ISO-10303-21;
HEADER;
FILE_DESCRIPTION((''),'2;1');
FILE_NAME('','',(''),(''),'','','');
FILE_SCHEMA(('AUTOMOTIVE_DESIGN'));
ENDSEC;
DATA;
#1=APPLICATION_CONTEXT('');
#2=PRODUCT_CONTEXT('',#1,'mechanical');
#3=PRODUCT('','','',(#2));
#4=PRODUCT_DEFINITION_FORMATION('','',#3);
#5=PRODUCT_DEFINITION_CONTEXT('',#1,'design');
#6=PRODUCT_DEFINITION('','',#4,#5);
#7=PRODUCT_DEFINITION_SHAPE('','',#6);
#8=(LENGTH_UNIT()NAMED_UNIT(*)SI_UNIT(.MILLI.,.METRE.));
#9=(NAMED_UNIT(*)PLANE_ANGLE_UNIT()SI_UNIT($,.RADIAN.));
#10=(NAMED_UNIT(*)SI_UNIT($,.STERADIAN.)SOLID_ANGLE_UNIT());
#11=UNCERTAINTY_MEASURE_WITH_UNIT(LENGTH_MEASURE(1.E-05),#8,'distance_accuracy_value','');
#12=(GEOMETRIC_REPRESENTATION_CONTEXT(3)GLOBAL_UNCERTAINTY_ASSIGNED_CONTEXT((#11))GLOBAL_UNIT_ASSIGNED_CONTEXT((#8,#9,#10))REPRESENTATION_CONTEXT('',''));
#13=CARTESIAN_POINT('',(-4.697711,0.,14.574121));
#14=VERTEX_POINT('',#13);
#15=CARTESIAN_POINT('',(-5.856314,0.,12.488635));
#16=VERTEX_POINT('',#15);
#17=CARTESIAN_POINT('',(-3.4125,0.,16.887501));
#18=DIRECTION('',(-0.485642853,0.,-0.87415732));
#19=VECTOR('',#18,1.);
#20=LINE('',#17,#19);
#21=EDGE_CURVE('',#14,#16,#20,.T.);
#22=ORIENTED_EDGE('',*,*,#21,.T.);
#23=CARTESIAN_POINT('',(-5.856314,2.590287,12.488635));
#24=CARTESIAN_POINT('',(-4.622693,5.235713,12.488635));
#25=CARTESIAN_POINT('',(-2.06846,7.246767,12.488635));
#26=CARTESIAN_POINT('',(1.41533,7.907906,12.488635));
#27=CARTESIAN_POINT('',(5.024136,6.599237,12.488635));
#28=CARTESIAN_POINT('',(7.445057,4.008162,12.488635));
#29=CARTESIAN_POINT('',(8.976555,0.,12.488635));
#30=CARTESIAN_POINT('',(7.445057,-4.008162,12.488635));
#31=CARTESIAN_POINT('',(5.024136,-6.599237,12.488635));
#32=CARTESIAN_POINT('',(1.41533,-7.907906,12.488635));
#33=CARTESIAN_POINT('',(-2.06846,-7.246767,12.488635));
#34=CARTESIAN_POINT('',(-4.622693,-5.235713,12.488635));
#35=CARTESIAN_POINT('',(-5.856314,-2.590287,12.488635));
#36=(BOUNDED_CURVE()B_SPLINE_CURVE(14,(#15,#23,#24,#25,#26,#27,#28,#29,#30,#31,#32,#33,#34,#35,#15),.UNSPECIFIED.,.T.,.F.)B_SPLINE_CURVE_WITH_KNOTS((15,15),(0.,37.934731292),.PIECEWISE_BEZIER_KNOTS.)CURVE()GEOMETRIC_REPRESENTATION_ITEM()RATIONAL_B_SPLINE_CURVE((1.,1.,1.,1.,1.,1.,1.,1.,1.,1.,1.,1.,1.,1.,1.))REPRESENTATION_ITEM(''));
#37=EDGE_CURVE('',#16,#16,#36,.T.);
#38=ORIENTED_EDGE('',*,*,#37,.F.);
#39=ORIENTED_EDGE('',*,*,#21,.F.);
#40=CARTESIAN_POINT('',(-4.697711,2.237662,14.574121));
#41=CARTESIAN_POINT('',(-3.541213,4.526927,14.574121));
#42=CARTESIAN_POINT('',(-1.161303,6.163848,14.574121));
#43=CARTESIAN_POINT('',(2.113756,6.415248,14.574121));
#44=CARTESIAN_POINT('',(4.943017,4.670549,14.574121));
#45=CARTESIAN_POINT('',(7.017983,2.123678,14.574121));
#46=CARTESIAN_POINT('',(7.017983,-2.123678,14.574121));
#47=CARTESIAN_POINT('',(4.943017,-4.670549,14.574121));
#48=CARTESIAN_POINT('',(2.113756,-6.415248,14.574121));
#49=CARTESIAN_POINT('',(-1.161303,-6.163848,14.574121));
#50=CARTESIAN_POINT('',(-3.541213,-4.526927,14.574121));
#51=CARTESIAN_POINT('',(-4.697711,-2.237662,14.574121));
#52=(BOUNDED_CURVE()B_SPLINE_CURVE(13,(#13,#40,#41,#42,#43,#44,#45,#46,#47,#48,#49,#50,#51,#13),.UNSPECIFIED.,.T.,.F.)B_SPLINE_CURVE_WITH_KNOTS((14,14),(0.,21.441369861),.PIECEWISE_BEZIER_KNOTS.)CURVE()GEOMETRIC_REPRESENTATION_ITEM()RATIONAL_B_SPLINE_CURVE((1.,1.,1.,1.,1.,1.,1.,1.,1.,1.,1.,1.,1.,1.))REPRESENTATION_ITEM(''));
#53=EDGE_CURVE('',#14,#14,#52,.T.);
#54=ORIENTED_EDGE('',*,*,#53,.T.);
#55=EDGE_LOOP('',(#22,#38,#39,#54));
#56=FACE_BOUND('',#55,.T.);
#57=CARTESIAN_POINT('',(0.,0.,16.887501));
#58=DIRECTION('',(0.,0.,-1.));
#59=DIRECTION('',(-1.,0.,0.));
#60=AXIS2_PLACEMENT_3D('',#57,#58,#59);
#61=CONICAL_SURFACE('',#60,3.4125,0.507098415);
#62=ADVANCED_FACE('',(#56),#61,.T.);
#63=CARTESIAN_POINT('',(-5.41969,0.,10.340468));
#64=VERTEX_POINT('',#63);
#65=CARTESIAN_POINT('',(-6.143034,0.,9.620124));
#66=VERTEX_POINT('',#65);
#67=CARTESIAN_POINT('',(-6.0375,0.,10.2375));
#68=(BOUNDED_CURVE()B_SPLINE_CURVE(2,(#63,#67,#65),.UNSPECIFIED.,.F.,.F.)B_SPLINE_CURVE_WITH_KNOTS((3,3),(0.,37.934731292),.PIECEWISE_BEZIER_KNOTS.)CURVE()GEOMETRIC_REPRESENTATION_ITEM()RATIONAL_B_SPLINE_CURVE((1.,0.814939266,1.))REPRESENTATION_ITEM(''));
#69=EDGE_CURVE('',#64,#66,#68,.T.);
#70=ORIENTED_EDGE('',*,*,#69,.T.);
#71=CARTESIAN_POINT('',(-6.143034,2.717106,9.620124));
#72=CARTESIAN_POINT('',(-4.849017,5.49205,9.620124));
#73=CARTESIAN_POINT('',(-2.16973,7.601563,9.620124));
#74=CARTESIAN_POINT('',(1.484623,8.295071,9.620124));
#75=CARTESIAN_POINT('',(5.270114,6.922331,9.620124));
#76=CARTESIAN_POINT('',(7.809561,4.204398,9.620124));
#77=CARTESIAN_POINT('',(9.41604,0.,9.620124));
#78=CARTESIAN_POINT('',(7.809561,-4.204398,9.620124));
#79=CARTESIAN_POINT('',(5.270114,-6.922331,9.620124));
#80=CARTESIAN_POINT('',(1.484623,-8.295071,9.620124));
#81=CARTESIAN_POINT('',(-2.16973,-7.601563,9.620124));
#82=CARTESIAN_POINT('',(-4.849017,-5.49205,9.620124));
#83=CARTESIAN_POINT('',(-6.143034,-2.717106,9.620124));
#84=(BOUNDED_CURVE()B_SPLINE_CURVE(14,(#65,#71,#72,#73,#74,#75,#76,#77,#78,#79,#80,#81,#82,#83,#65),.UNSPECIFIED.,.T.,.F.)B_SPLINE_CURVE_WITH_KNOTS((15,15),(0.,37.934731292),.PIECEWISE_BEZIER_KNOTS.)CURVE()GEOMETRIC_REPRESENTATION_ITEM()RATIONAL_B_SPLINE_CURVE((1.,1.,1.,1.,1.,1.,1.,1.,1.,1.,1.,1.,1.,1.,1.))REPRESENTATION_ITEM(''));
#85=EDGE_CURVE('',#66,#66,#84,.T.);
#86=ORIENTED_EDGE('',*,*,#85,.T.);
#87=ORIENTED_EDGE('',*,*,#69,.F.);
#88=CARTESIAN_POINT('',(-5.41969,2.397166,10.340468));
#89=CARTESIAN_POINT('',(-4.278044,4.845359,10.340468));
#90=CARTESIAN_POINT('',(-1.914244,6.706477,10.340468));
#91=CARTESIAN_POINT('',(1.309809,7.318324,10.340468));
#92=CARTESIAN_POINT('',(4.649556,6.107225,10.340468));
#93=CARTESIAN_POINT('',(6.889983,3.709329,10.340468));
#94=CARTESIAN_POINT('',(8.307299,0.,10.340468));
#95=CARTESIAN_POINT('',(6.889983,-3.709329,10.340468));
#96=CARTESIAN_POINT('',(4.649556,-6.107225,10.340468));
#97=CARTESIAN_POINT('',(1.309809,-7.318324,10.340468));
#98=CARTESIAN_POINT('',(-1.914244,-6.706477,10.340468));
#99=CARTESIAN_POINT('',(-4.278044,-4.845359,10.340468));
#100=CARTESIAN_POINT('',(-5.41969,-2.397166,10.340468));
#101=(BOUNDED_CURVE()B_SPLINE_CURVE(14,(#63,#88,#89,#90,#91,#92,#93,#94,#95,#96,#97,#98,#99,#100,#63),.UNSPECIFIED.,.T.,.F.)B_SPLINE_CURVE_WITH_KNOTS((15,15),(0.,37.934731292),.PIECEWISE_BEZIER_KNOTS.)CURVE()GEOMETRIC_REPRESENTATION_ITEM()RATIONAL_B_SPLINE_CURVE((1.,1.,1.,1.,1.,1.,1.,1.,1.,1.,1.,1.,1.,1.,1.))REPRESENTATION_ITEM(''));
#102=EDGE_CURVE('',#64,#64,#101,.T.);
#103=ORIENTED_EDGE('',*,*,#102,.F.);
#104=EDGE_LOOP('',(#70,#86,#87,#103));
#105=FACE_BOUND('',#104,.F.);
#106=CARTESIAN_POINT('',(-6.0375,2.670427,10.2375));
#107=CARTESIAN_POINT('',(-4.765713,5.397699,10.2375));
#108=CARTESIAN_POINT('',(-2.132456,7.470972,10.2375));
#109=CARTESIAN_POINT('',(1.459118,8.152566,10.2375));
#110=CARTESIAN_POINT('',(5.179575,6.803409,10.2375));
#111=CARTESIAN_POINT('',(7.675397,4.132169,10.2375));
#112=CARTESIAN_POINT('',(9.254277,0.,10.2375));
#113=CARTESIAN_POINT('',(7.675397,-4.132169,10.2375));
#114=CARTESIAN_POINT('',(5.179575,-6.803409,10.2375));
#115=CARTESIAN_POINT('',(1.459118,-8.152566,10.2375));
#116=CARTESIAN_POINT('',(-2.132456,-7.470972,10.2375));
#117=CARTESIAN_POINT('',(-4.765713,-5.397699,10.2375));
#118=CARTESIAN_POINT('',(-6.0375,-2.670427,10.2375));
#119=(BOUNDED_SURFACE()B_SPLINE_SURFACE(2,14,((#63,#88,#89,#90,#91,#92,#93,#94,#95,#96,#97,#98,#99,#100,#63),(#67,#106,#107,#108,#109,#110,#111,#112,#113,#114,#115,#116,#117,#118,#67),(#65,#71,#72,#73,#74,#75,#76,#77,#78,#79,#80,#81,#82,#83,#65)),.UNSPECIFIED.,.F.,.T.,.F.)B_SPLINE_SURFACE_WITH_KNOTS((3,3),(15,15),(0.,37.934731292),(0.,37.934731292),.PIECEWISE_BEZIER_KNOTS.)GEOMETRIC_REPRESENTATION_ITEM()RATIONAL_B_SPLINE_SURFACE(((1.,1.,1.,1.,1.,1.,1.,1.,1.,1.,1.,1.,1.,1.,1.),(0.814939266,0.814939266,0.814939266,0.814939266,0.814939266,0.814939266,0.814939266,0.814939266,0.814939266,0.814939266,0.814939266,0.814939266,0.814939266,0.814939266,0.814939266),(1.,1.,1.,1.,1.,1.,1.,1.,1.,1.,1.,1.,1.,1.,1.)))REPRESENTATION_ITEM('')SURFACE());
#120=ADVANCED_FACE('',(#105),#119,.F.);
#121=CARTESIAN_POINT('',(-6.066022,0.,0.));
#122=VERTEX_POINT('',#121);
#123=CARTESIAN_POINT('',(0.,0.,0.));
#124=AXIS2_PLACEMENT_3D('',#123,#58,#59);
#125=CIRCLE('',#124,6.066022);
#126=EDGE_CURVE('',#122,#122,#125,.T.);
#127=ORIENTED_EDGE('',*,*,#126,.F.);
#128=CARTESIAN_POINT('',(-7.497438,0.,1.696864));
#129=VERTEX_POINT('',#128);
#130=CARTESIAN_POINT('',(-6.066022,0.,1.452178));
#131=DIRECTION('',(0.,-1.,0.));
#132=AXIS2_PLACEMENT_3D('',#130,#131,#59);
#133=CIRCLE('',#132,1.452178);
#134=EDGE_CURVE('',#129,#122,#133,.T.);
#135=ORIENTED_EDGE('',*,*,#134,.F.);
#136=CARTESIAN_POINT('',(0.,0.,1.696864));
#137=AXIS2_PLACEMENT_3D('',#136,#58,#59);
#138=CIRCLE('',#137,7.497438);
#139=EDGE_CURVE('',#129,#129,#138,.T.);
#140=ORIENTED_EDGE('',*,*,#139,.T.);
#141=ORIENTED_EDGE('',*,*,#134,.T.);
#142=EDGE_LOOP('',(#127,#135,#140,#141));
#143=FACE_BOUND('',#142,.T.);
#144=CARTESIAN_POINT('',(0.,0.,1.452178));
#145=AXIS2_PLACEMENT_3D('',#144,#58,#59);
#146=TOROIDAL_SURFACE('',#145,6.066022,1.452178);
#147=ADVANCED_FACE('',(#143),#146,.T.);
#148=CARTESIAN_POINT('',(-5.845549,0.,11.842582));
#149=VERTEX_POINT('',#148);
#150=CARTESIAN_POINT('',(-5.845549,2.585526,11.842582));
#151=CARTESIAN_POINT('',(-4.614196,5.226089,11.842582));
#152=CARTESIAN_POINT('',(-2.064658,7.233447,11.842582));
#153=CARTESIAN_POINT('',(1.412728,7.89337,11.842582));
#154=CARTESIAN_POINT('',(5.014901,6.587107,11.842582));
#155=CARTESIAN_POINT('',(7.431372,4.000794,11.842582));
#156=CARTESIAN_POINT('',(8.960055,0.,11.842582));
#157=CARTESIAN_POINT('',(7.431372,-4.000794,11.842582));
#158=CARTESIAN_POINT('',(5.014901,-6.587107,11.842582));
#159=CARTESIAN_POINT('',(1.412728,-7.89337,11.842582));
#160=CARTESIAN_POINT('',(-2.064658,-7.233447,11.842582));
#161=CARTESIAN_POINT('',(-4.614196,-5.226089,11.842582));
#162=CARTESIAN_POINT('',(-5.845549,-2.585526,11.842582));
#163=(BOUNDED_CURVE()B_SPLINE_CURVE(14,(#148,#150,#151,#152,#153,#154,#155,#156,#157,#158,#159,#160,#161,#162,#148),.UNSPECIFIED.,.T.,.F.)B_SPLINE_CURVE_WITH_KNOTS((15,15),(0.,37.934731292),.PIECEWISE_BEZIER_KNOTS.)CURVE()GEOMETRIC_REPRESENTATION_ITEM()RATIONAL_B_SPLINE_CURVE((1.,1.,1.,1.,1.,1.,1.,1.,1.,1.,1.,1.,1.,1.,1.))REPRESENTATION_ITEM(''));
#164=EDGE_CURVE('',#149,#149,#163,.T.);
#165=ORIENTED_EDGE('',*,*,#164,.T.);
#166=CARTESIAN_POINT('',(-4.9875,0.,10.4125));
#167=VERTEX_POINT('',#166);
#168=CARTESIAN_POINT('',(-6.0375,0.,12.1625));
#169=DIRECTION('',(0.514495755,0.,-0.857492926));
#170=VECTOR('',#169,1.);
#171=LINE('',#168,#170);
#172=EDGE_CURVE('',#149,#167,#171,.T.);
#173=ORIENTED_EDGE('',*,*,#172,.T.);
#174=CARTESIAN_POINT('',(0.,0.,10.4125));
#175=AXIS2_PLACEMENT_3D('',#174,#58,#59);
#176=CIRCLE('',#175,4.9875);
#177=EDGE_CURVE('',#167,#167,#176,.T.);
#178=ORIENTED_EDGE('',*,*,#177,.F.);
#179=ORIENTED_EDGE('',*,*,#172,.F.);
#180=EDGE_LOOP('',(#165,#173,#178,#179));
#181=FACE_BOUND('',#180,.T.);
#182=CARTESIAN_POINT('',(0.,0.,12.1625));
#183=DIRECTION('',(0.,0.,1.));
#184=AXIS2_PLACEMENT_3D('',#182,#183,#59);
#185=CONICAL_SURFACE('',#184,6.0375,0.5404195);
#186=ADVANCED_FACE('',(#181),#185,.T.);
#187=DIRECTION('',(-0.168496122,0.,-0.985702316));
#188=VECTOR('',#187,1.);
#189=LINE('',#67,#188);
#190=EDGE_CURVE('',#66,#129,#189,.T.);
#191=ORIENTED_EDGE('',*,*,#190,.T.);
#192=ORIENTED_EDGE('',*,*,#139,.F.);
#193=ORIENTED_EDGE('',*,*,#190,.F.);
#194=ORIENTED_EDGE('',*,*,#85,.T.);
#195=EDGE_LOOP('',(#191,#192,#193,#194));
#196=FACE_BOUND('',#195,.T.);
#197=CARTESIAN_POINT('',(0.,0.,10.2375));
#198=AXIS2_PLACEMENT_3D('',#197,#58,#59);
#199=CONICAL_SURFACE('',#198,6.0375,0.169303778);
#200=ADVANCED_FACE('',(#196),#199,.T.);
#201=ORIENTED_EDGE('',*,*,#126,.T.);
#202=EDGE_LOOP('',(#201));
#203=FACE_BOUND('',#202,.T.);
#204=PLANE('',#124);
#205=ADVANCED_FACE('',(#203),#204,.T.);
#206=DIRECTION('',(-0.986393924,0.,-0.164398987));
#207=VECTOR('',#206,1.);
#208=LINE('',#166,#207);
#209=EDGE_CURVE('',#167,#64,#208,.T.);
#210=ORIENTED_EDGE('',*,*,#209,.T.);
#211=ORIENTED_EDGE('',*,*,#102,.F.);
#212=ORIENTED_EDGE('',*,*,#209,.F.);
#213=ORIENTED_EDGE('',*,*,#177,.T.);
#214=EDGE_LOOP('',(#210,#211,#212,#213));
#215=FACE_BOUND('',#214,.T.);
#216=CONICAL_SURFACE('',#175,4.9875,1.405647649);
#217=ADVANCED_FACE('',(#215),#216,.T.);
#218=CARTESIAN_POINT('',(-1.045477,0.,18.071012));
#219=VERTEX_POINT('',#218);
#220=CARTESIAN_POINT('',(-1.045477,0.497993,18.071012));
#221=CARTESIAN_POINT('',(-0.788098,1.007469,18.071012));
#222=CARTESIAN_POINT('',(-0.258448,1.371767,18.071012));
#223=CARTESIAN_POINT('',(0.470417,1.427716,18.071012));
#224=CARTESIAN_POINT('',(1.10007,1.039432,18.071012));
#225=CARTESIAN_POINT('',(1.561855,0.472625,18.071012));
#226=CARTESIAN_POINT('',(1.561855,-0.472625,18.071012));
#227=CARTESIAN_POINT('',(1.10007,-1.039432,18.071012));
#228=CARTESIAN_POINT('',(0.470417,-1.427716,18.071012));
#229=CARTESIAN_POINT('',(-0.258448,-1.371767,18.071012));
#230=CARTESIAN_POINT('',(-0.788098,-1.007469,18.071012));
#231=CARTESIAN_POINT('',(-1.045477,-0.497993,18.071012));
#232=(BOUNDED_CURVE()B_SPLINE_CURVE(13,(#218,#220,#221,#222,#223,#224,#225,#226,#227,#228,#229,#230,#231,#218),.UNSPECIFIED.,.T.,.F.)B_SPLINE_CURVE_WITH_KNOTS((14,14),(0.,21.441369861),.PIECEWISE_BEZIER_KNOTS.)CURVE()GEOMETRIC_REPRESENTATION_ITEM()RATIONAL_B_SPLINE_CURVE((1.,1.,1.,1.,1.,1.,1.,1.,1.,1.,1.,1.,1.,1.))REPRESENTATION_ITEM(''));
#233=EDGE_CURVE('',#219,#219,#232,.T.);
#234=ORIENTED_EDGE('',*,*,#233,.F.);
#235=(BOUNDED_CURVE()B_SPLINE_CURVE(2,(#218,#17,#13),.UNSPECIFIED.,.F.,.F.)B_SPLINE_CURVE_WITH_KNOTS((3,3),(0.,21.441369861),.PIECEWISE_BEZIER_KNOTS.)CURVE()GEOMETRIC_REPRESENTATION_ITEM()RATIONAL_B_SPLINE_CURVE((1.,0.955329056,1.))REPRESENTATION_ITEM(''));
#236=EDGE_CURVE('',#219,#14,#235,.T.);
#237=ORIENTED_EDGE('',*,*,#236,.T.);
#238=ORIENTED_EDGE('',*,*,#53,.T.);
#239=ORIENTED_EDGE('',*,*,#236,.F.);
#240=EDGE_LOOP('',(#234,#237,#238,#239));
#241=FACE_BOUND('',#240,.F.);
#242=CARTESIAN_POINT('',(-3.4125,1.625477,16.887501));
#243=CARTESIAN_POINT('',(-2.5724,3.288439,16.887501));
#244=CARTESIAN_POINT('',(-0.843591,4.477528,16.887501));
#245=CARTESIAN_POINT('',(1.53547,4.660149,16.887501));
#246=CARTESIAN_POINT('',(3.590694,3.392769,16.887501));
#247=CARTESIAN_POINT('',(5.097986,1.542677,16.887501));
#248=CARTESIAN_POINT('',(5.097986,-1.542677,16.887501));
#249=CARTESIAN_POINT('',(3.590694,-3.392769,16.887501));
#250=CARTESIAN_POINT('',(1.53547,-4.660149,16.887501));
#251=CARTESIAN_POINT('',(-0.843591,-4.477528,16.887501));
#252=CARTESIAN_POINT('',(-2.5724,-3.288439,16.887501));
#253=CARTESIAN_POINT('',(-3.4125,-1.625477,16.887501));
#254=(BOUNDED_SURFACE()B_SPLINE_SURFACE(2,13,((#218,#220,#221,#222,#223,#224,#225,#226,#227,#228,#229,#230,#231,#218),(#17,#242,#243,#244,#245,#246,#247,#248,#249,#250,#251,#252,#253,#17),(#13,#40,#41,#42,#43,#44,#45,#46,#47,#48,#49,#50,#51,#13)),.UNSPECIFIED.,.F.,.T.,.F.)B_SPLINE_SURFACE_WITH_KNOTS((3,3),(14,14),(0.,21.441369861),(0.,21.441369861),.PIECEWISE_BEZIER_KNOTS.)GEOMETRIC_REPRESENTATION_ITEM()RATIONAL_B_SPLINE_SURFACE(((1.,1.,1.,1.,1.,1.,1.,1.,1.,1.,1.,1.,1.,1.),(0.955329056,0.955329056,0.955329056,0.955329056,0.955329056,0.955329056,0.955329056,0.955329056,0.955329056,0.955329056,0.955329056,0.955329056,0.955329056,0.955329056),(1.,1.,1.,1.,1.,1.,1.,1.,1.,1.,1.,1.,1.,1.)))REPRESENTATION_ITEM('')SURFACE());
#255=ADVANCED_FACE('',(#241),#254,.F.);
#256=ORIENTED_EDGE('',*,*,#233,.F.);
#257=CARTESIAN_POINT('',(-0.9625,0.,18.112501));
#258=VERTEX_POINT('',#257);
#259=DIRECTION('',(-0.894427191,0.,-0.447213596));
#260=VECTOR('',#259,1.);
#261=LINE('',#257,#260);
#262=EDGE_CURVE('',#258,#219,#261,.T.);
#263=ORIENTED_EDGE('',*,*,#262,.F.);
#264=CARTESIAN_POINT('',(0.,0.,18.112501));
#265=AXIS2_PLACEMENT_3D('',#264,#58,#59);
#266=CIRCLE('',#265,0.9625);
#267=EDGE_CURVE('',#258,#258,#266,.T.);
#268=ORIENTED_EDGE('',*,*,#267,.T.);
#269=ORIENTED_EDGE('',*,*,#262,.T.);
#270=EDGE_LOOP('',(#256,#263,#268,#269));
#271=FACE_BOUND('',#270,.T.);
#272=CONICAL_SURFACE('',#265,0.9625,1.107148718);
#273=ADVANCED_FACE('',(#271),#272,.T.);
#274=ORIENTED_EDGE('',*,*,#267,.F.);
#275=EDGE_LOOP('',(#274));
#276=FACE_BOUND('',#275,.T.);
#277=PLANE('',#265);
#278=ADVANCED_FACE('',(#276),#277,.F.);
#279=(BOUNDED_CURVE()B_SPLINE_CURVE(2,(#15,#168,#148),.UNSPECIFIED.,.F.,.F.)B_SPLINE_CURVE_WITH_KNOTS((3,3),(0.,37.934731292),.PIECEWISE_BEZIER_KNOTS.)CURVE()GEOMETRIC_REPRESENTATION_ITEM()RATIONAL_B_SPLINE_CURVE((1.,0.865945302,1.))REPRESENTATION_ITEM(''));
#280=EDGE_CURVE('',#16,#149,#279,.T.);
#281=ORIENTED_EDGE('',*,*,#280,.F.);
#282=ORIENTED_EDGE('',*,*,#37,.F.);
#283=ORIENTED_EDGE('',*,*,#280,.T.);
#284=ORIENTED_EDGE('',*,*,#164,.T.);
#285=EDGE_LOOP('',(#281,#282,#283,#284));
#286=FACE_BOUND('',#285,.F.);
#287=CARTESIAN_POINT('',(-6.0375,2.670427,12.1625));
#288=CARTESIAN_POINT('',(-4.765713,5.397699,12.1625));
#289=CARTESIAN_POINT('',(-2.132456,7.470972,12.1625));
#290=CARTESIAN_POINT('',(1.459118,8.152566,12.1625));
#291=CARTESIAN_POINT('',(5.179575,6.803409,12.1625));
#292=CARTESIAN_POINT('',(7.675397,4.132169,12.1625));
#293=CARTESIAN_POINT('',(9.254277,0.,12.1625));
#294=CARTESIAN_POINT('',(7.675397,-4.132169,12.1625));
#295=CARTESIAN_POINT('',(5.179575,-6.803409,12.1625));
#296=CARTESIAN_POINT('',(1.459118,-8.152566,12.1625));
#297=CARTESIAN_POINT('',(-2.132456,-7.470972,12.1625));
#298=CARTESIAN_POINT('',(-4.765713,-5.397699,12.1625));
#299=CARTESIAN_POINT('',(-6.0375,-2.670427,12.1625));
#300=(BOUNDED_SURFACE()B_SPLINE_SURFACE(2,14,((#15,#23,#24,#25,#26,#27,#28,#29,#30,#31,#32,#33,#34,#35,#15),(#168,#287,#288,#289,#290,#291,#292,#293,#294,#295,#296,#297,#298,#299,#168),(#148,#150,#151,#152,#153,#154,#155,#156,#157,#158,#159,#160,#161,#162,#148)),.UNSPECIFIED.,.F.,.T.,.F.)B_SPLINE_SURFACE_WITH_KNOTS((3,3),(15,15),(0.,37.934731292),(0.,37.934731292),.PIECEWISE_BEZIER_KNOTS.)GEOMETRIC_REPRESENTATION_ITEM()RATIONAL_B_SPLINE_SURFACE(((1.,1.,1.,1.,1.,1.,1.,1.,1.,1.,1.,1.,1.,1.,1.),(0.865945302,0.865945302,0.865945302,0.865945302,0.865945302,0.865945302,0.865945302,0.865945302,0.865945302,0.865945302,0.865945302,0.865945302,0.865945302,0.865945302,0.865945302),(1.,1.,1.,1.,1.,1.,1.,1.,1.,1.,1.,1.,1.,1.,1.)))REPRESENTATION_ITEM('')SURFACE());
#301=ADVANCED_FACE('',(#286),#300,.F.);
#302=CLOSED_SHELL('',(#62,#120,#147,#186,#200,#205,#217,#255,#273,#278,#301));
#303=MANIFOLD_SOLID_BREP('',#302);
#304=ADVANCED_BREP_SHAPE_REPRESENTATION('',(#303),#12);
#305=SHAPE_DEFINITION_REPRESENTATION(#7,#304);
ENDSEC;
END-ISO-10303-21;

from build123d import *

# Parameters (mm, degrees)
F2_R = 8.554368
F3_R = 0.645964
F4_R = 0.880727
F5_R = 1.452178


with BuildPart() as f1:
    # F0 (on Front) → F1 (revolve)
    with BuildSketch(Plane.XZ):
        Polygon((-7.7875, 0), (0, 0), (0, 18.112501), (-0.9625, 18.112501), (-3.4125, 16.887501), (-6.0375, 12.1625), (-4.9875, 10.4125), (-6.0375, 10.2375), align=None)
    revolve(axis=Axis((0, 0, 9.056251), (0, 0, -1)))

    # F2
    f2_edges = [f1.edges().sort_by_distance(p)[0] for p in [
        (3.4125, 0, 16.887501),
    ]]
    fillet(f2_edges, radius=F2_R)

    # F3
    f3_edges = [f1.edges().sort_by_distance(p)[0] for p in [
        (6.0375, 0, 12.1625),
    ]]
    fillet(f3_edges, radius=F3_R)

    # F4
    f4_edges = [f1.edges().sort_by_distance(p)[0] for p in [
        (6.0375, 0, 10.2375),
    ]]
    fillet(f4_edges, radius=F4_R)

    # F5
    f5_edges = [f1.edges().sort_by_distance(p)[0] for p in [
        (7.7875, 0, 0),
    ]]
    fillet(f5_edges, radius=F5_R)


solid = f1.part
